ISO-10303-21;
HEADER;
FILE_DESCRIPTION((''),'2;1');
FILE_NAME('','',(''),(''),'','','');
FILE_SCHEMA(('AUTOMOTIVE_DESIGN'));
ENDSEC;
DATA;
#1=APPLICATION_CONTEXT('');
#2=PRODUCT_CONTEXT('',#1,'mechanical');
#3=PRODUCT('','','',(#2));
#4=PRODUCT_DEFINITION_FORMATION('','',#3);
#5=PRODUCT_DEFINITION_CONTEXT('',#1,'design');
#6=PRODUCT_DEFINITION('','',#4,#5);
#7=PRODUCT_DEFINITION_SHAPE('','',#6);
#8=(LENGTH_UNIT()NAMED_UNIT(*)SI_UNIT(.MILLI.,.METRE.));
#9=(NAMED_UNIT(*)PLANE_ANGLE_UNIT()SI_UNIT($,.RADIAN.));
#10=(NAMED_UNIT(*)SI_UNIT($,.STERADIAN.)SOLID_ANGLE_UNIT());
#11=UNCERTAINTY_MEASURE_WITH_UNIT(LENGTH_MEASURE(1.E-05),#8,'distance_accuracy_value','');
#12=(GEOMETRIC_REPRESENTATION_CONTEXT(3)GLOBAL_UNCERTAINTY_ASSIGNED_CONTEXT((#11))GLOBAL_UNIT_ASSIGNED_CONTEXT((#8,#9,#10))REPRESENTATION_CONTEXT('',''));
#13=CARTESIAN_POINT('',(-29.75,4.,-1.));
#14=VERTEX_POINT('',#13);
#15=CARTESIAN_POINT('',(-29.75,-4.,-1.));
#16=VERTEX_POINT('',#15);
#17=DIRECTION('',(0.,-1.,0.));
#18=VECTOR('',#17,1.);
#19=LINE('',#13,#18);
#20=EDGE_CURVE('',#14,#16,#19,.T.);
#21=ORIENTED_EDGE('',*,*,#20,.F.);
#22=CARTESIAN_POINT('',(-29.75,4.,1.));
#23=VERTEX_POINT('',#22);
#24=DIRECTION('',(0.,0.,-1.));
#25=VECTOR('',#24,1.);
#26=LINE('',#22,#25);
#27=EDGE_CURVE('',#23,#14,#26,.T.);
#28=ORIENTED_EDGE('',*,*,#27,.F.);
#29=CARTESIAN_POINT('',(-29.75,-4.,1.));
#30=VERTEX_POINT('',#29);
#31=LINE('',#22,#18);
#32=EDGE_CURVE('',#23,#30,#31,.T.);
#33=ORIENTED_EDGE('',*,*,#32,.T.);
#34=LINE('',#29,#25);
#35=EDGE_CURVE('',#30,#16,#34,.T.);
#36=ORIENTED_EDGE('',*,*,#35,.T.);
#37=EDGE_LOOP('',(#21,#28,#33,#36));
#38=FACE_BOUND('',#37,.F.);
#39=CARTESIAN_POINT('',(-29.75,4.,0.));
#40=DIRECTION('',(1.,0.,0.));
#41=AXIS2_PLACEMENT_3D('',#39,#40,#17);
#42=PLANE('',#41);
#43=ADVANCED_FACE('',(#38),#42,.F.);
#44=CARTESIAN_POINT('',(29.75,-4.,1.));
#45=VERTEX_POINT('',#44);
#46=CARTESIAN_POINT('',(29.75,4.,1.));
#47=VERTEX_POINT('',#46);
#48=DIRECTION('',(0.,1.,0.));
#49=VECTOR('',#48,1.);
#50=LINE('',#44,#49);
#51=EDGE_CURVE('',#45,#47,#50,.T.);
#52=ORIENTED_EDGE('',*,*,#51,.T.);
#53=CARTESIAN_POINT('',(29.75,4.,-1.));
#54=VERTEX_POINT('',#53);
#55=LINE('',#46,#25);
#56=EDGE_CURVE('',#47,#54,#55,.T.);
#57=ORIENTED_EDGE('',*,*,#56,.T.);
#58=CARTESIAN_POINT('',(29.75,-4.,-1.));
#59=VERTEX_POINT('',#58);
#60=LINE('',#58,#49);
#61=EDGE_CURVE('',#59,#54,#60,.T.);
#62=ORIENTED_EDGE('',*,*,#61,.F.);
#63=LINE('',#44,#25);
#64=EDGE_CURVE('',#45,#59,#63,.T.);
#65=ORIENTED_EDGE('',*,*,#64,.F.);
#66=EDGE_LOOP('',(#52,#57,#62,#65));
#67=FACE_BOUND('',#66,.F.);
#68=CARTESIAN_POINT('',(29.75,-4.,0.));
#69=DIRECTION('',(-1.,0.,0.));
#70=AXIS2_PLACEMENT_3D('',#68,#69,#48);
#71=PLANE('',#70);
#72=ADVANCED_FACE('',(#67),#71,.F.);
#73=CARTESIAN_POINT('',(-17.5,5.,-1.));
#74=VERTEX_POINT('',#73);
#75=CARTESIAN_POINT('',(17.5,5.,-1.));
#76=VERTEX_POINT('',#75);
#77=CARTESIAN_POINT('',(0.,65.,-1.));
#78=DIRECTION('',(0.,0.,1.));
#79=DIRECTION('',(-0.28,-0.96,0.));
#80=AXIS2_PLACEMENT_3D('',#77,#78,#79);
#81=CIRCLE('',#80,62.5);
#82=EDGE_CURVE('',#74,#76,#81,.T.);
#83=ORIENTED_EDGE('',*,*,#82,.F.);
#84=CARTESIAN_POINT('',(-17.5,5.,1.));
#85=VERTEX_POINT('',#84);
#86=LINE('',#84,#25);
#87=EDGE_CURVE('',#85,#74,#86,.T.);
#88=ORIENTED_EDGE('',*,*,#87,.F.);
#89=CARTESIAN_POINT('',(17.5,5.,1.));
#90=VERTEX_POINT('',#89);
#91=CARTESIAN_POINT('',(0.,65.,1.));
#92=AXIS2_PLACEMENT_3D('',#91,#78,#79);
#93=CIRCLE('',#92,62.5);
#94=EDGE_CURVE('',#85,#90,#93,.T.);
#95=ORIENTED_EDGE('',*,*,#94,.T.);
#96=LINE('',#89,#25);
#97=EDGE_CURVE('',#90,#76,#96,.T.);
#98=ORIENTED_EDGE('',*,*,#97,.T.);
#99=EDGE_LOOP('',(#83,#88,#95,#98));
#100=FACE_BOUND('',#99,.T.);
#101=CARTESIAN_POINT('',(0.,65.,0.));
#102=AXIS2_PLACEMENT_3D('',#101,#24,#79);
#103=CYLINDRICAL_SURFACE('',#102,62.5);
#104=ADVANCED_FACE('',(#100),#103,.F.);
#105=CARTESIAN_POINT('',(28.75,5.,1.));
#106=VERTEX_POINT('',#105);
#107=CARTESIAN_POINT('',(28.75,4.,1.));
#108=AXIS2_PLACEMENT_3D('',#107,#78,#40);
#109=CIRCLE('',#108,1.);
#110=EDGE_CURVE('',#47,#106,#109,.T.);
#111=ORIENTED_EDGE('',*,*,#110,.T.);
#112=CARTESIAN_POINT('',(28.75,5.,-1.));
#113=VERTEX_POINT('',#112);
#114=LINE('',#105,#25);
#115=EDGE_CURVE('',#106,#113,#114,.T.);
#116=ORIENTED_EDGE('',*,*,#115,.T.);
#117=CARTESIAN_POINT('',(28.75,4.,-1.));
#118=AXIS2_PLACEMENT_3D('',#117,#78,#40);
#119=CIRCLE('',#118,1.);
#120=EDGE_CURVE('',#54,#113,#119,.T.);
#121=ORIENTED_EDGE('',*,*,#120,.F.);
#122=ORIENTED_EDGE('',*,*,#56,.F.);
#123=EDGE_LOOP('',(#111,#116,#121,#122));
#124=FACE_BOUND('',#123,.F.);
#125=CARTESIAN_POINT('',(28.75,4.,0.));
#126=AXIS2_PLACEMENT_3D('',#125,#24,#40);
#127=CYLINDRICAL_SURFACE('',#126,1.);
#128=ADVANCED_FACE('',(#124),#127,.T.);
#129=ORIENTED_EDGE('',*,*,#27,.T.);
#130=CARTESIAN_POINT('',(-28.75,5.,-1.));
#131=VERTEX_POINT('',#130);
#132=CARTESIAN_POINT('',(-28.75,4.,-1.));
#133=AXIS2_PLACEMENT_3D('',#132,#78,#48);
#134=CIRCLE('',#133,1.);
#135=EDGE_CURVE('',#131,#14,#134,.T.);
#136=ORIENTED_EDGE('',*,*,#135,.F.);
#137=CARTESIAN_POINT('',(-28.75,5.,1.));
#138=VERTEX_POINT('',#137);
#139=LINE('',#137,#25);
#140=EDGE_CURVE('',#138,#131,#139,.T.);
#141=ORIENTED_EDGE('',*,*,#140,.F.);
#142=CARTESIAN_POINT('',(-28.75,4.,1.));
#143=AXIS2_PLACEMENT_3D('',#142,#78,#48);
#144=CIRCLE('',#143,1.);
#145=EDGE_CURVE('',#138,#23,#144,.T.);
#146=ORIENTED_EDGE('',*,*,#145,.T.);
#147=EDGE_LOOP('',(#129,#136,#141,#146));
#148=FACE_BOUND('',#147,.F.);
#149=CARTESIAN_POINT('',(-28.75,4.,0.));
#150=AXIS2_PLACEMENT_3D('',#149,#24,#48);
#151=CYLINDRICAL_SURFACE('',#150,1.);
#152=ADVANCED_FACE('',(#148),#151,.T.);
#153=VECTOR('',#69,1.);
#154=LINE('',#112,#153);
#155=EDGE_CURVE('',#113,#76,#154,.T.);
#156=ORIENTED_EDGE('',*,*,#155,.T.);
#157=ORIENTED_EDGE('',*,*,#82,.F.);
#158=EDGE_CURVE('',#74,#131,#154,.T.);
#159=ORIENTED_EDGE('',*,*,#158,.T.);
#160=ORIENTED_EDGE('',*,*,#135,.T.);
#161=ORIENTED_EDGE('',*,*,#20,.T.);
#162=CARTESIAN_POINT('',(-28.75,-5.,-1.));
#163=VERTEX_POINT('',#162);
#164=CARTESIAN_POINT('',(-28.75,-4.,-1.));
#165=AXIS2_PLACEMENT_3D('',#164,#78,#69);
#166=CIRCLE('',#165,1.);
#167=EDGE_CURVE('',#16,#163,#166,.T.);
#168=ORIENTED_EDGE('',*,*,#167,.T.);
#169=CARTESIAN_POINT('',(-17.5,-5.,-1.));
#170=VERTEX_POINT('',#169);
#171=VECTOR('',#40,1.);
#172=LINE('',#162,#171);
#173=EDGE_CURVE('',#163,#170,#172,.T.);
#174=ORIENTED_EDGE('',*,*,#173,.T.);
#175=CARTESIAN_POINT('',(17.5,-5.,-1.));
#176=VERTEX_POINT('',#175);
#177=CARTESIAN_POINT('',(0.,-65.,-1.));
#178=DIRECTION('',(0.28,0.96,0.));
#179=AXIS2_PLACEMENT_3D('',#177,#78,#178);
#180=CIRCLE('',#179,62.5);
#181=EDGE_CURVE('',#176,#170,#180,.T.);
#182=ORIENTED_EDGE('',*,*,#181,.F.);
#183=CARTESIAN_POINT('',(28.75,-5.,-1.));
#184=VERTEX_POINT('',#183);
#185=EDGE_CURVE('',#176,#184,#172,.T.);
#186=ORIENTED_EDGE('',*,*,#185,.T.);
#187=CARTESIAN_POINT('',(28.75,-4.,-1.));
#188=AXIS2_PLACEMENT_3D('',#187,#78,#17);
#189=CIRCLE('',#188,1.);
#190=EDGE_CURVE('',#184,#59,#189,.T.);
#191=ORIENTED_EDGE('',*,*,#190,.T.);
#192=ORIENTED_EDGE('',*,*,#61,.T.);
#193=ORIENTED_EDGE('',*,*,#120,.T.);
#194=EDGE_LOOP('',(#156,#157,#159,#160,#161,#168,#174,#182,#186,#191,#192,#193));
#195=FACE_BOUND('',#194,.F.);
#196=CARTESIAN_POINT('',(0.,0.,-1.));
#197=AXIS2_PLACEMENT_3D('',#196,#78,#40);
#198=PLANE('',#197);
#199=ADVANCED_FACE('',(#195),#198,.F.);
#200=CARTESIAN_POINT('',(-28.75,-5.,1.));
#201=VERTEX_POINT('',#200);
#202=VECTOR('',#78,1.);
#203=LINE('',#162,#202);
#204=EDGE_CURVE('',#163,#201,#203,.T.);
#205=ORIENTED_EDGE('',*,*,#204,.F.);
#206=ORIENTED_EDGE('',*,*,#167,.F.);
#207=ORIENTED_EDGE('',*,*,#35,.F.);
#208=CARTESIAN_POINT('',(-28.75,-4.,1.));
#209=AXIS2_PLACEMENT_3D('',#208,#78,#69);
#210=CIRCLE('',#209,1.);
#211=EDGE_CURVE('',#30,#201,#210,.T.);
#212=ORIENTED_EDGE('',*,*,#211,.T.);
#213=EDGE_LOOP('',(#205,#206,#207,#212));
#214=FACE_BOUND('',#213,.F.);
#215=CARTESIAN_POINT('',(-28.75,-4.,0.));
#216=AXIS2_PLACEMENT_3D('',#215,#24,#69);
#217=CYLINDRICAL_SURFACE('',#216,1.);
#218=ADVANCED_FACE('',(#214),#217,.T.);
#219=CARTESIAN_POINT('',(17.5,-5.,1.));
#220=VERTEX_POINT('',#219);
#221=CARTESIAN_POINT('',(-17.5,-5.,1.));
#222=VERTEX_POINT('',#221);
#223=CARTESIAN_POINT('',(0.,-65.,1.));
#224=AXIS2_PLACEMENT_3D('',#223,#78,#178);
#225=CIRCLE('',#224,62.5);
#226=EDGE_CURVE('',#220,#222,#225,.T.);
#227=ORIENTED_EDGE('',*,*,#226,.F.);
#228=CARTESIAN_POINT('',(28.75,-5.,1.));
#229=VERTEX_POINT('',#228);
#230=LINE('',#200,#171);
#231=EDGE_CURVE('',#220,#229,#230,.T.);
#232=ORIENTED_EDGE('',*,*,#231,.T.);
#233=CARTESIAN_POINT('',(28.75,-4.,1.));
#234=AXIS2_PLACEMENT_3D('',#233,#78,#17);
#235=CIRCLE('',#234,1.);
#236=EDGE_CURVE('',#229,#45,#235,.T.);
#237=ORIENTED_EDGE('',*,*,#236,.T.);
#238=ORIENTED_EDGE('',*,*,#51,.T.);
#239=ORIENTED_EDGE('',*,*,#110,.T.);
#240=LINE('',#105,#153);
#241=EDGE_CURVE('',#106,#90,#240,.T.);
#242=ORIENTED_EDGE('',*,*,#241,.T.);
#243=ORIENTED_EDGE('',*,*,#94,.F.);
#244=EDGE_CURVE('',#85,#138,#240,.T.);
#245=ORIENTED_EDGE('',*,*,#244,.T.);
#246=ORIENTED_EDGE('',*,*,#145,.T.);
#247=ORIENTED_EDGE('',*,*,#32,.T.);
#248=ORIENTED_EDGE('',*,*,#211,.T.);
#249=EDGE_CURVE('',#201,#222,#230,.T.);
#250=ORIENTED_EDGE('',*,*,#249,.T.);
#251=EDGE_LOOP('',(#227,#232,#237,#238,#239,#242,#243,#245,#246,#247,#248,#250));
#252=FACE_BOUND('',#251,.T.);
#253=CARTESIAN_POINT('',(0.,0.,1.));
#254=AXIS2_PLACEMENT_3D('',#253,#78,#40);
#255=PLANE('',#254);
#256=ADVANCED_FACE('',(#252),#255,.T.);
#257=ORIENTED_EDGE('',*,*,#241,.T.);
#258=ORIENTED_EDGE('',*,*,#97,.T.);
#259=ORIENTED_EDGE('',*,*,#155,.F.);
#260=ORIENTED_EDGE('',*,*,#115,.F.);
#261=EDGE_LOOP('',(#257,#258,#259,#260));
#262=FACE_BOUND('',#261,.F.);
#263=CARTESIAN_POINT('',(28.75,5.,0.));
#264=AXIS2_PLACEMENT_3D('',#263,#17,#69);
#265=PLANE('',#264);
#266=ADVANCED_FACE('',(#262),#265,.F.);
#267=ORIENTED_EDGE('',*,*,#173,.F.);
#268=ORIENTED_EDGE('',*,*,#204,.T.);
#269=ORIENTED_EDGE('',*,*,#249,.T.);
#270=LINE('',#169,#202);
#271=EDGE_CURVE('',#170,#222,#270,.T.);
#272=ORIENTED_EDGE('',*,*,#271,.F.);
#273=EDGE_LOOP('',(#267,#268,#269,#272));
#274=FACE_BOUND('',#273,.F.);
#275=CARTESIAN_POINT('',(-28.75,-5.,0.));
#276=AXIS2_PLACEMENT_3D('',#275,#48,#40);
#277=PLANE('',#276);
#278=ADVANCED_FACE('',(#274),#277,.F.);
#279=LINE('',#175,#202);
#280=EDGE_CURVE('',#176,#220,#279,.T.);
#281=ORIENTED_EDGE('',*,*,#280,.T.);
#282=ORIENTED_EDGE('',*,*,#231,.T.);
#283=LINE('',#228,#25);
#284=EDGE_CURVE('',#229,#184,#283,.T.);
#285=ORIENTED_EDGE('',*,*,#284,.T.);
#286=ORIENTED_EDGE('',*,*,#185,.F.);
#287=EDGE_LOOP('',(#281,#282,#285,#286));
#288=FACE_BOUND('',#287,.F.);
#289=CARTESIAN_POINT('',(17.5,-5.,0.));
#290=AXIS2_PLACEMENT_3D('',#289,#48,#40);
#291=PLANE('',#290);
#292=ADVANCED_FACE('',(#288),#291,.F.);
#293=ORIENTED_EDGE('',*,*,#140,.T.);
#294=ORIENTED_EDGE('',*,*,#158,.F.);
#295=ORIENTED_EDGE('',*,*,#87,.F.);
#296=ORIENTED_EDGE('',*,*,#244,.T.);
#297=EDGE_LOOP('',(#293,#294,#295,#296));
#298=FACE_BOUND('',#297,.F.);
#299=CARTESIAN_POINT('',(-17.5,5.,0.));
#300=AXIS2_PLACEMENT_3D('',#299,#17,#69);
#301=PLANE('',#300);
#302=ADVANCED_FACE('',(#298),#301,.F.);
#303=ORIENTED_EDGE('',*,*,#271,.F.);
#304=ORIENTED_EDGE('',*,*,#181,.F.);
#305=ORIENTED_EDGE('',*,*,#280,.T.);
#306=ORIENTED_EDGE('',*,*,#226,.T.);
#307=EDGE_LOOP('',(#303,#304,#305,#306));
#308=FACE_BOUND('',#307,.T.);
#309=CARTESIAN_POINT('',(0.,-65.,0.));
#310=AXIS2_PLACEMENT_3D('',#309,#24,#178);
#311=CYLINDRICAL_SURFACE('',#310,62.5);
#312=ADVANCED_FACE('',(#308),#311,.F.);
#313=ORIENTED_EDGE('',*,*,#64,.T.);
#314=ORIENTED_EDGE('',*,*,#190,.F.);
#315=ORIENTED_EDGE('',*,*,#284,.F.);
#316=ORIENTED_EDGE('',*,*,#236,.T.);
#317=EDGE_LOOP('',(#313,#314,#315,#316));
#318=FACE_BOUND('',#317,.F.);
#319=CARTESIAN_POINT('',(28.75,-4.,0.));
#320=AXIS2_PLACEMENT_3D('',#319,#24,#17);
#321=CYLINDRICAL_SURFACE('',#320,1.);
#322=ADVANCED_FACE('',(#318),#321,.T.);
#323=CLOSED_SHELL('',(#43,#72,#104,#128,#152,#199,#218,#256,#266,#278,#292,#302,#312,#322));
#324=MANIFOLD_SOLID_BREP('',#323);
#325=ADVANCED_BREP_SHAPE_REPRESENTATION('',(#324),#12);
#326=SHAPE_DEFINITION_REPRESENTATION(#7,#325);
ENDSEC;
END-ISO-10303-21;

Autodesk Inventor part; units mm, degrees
ref_plane "YZ Plane" through (0, 0, 0) normal (1, 0, 0) x (0, 1, 0)
ref_plane "XZ Plane" through (0, 0, 0) normal (0, 1, 0) x (-1, 0, 0)
ref_plane "XY Plane" through (0, 0, 0) normal (0, 0, 1) x (1, 0, 0)
sketch "草圖1" plane through (0, 0, 0) normal (0, 0, 1) x (1, 0, 0)
  line L0 (0, 0) -> (-25.6572, 0) construction
  line L1 (0, 0) -> (0, 24.1407) construction
  line L2 (-28.75, -5) -> (28.75, -5)
  line L3 (29.75, -4) -> (29.75, 4)
  line L4 (28.75, 5) -> (-28.75, 5)
  line L5 (-29.75, 4) -> (-29.75, -4)
  line L6 (-29.75, -5) -> (29.75, 5) construction
  line L7 (29.75, -5) -> (-29.75, 5) construction
  arc A0 (28.75, -5) -> (29.75, -4) centre (28.75, -4) ccw
  arc A1 (-29.75, -4) -> (-28.75, -5) centre (-28.75, -4) ccw
  arc A2 (29.75, 4) -> (28.75, 5) centre (28.75, 4) ccw
  arc A3 (-28.75, 5) -> (-29.75, 4) centre (-28.75, 4) ccw
  arc A4 (-17.5, 5) -> (17.5, 5) centre (0, 65) ccw
  arc A5 (17.5, -5) -> (-17.5, -5) centre (0, -65) ccw
  point P0 (-17.5, -5)
  point P1 (17.5, -5)
  dimension "d0" = 59.5
  dimension "d1" = 10
  dimension "d4" = 1
  dimension "d5" = 1
  dimension "d8" = 5
  dimension "d9" = 35
extrude "擠出1" add sketch "草圖1" along normal mid plane 2 contours A1 L5 A3 L4 A4 A2 L3 A0 L2 A5
equation "\"d4\" = d5"
equation "\"折彎半徑\" = 厚度"
equation "\"折彎離隙寬度\" = 厚度"
equation "\"折彎離隙深度\" = 0.5 * 厚度"
equation "\"轉角離隙大小\" = 4 * 厚度"
equation "\"最小剩餘\" = 2 * 厚度"
equation "\"轉移半徑\" = 折彎半徑"
equation "\"Jacobi半徑大小\" = 折彎半徑"
equation "\"間隙大小\" = 厚度"
equation "\"厚度\" = 2"
properties part number "0 零件" material "不鏽鋼SUS-HL(砂紋)"
